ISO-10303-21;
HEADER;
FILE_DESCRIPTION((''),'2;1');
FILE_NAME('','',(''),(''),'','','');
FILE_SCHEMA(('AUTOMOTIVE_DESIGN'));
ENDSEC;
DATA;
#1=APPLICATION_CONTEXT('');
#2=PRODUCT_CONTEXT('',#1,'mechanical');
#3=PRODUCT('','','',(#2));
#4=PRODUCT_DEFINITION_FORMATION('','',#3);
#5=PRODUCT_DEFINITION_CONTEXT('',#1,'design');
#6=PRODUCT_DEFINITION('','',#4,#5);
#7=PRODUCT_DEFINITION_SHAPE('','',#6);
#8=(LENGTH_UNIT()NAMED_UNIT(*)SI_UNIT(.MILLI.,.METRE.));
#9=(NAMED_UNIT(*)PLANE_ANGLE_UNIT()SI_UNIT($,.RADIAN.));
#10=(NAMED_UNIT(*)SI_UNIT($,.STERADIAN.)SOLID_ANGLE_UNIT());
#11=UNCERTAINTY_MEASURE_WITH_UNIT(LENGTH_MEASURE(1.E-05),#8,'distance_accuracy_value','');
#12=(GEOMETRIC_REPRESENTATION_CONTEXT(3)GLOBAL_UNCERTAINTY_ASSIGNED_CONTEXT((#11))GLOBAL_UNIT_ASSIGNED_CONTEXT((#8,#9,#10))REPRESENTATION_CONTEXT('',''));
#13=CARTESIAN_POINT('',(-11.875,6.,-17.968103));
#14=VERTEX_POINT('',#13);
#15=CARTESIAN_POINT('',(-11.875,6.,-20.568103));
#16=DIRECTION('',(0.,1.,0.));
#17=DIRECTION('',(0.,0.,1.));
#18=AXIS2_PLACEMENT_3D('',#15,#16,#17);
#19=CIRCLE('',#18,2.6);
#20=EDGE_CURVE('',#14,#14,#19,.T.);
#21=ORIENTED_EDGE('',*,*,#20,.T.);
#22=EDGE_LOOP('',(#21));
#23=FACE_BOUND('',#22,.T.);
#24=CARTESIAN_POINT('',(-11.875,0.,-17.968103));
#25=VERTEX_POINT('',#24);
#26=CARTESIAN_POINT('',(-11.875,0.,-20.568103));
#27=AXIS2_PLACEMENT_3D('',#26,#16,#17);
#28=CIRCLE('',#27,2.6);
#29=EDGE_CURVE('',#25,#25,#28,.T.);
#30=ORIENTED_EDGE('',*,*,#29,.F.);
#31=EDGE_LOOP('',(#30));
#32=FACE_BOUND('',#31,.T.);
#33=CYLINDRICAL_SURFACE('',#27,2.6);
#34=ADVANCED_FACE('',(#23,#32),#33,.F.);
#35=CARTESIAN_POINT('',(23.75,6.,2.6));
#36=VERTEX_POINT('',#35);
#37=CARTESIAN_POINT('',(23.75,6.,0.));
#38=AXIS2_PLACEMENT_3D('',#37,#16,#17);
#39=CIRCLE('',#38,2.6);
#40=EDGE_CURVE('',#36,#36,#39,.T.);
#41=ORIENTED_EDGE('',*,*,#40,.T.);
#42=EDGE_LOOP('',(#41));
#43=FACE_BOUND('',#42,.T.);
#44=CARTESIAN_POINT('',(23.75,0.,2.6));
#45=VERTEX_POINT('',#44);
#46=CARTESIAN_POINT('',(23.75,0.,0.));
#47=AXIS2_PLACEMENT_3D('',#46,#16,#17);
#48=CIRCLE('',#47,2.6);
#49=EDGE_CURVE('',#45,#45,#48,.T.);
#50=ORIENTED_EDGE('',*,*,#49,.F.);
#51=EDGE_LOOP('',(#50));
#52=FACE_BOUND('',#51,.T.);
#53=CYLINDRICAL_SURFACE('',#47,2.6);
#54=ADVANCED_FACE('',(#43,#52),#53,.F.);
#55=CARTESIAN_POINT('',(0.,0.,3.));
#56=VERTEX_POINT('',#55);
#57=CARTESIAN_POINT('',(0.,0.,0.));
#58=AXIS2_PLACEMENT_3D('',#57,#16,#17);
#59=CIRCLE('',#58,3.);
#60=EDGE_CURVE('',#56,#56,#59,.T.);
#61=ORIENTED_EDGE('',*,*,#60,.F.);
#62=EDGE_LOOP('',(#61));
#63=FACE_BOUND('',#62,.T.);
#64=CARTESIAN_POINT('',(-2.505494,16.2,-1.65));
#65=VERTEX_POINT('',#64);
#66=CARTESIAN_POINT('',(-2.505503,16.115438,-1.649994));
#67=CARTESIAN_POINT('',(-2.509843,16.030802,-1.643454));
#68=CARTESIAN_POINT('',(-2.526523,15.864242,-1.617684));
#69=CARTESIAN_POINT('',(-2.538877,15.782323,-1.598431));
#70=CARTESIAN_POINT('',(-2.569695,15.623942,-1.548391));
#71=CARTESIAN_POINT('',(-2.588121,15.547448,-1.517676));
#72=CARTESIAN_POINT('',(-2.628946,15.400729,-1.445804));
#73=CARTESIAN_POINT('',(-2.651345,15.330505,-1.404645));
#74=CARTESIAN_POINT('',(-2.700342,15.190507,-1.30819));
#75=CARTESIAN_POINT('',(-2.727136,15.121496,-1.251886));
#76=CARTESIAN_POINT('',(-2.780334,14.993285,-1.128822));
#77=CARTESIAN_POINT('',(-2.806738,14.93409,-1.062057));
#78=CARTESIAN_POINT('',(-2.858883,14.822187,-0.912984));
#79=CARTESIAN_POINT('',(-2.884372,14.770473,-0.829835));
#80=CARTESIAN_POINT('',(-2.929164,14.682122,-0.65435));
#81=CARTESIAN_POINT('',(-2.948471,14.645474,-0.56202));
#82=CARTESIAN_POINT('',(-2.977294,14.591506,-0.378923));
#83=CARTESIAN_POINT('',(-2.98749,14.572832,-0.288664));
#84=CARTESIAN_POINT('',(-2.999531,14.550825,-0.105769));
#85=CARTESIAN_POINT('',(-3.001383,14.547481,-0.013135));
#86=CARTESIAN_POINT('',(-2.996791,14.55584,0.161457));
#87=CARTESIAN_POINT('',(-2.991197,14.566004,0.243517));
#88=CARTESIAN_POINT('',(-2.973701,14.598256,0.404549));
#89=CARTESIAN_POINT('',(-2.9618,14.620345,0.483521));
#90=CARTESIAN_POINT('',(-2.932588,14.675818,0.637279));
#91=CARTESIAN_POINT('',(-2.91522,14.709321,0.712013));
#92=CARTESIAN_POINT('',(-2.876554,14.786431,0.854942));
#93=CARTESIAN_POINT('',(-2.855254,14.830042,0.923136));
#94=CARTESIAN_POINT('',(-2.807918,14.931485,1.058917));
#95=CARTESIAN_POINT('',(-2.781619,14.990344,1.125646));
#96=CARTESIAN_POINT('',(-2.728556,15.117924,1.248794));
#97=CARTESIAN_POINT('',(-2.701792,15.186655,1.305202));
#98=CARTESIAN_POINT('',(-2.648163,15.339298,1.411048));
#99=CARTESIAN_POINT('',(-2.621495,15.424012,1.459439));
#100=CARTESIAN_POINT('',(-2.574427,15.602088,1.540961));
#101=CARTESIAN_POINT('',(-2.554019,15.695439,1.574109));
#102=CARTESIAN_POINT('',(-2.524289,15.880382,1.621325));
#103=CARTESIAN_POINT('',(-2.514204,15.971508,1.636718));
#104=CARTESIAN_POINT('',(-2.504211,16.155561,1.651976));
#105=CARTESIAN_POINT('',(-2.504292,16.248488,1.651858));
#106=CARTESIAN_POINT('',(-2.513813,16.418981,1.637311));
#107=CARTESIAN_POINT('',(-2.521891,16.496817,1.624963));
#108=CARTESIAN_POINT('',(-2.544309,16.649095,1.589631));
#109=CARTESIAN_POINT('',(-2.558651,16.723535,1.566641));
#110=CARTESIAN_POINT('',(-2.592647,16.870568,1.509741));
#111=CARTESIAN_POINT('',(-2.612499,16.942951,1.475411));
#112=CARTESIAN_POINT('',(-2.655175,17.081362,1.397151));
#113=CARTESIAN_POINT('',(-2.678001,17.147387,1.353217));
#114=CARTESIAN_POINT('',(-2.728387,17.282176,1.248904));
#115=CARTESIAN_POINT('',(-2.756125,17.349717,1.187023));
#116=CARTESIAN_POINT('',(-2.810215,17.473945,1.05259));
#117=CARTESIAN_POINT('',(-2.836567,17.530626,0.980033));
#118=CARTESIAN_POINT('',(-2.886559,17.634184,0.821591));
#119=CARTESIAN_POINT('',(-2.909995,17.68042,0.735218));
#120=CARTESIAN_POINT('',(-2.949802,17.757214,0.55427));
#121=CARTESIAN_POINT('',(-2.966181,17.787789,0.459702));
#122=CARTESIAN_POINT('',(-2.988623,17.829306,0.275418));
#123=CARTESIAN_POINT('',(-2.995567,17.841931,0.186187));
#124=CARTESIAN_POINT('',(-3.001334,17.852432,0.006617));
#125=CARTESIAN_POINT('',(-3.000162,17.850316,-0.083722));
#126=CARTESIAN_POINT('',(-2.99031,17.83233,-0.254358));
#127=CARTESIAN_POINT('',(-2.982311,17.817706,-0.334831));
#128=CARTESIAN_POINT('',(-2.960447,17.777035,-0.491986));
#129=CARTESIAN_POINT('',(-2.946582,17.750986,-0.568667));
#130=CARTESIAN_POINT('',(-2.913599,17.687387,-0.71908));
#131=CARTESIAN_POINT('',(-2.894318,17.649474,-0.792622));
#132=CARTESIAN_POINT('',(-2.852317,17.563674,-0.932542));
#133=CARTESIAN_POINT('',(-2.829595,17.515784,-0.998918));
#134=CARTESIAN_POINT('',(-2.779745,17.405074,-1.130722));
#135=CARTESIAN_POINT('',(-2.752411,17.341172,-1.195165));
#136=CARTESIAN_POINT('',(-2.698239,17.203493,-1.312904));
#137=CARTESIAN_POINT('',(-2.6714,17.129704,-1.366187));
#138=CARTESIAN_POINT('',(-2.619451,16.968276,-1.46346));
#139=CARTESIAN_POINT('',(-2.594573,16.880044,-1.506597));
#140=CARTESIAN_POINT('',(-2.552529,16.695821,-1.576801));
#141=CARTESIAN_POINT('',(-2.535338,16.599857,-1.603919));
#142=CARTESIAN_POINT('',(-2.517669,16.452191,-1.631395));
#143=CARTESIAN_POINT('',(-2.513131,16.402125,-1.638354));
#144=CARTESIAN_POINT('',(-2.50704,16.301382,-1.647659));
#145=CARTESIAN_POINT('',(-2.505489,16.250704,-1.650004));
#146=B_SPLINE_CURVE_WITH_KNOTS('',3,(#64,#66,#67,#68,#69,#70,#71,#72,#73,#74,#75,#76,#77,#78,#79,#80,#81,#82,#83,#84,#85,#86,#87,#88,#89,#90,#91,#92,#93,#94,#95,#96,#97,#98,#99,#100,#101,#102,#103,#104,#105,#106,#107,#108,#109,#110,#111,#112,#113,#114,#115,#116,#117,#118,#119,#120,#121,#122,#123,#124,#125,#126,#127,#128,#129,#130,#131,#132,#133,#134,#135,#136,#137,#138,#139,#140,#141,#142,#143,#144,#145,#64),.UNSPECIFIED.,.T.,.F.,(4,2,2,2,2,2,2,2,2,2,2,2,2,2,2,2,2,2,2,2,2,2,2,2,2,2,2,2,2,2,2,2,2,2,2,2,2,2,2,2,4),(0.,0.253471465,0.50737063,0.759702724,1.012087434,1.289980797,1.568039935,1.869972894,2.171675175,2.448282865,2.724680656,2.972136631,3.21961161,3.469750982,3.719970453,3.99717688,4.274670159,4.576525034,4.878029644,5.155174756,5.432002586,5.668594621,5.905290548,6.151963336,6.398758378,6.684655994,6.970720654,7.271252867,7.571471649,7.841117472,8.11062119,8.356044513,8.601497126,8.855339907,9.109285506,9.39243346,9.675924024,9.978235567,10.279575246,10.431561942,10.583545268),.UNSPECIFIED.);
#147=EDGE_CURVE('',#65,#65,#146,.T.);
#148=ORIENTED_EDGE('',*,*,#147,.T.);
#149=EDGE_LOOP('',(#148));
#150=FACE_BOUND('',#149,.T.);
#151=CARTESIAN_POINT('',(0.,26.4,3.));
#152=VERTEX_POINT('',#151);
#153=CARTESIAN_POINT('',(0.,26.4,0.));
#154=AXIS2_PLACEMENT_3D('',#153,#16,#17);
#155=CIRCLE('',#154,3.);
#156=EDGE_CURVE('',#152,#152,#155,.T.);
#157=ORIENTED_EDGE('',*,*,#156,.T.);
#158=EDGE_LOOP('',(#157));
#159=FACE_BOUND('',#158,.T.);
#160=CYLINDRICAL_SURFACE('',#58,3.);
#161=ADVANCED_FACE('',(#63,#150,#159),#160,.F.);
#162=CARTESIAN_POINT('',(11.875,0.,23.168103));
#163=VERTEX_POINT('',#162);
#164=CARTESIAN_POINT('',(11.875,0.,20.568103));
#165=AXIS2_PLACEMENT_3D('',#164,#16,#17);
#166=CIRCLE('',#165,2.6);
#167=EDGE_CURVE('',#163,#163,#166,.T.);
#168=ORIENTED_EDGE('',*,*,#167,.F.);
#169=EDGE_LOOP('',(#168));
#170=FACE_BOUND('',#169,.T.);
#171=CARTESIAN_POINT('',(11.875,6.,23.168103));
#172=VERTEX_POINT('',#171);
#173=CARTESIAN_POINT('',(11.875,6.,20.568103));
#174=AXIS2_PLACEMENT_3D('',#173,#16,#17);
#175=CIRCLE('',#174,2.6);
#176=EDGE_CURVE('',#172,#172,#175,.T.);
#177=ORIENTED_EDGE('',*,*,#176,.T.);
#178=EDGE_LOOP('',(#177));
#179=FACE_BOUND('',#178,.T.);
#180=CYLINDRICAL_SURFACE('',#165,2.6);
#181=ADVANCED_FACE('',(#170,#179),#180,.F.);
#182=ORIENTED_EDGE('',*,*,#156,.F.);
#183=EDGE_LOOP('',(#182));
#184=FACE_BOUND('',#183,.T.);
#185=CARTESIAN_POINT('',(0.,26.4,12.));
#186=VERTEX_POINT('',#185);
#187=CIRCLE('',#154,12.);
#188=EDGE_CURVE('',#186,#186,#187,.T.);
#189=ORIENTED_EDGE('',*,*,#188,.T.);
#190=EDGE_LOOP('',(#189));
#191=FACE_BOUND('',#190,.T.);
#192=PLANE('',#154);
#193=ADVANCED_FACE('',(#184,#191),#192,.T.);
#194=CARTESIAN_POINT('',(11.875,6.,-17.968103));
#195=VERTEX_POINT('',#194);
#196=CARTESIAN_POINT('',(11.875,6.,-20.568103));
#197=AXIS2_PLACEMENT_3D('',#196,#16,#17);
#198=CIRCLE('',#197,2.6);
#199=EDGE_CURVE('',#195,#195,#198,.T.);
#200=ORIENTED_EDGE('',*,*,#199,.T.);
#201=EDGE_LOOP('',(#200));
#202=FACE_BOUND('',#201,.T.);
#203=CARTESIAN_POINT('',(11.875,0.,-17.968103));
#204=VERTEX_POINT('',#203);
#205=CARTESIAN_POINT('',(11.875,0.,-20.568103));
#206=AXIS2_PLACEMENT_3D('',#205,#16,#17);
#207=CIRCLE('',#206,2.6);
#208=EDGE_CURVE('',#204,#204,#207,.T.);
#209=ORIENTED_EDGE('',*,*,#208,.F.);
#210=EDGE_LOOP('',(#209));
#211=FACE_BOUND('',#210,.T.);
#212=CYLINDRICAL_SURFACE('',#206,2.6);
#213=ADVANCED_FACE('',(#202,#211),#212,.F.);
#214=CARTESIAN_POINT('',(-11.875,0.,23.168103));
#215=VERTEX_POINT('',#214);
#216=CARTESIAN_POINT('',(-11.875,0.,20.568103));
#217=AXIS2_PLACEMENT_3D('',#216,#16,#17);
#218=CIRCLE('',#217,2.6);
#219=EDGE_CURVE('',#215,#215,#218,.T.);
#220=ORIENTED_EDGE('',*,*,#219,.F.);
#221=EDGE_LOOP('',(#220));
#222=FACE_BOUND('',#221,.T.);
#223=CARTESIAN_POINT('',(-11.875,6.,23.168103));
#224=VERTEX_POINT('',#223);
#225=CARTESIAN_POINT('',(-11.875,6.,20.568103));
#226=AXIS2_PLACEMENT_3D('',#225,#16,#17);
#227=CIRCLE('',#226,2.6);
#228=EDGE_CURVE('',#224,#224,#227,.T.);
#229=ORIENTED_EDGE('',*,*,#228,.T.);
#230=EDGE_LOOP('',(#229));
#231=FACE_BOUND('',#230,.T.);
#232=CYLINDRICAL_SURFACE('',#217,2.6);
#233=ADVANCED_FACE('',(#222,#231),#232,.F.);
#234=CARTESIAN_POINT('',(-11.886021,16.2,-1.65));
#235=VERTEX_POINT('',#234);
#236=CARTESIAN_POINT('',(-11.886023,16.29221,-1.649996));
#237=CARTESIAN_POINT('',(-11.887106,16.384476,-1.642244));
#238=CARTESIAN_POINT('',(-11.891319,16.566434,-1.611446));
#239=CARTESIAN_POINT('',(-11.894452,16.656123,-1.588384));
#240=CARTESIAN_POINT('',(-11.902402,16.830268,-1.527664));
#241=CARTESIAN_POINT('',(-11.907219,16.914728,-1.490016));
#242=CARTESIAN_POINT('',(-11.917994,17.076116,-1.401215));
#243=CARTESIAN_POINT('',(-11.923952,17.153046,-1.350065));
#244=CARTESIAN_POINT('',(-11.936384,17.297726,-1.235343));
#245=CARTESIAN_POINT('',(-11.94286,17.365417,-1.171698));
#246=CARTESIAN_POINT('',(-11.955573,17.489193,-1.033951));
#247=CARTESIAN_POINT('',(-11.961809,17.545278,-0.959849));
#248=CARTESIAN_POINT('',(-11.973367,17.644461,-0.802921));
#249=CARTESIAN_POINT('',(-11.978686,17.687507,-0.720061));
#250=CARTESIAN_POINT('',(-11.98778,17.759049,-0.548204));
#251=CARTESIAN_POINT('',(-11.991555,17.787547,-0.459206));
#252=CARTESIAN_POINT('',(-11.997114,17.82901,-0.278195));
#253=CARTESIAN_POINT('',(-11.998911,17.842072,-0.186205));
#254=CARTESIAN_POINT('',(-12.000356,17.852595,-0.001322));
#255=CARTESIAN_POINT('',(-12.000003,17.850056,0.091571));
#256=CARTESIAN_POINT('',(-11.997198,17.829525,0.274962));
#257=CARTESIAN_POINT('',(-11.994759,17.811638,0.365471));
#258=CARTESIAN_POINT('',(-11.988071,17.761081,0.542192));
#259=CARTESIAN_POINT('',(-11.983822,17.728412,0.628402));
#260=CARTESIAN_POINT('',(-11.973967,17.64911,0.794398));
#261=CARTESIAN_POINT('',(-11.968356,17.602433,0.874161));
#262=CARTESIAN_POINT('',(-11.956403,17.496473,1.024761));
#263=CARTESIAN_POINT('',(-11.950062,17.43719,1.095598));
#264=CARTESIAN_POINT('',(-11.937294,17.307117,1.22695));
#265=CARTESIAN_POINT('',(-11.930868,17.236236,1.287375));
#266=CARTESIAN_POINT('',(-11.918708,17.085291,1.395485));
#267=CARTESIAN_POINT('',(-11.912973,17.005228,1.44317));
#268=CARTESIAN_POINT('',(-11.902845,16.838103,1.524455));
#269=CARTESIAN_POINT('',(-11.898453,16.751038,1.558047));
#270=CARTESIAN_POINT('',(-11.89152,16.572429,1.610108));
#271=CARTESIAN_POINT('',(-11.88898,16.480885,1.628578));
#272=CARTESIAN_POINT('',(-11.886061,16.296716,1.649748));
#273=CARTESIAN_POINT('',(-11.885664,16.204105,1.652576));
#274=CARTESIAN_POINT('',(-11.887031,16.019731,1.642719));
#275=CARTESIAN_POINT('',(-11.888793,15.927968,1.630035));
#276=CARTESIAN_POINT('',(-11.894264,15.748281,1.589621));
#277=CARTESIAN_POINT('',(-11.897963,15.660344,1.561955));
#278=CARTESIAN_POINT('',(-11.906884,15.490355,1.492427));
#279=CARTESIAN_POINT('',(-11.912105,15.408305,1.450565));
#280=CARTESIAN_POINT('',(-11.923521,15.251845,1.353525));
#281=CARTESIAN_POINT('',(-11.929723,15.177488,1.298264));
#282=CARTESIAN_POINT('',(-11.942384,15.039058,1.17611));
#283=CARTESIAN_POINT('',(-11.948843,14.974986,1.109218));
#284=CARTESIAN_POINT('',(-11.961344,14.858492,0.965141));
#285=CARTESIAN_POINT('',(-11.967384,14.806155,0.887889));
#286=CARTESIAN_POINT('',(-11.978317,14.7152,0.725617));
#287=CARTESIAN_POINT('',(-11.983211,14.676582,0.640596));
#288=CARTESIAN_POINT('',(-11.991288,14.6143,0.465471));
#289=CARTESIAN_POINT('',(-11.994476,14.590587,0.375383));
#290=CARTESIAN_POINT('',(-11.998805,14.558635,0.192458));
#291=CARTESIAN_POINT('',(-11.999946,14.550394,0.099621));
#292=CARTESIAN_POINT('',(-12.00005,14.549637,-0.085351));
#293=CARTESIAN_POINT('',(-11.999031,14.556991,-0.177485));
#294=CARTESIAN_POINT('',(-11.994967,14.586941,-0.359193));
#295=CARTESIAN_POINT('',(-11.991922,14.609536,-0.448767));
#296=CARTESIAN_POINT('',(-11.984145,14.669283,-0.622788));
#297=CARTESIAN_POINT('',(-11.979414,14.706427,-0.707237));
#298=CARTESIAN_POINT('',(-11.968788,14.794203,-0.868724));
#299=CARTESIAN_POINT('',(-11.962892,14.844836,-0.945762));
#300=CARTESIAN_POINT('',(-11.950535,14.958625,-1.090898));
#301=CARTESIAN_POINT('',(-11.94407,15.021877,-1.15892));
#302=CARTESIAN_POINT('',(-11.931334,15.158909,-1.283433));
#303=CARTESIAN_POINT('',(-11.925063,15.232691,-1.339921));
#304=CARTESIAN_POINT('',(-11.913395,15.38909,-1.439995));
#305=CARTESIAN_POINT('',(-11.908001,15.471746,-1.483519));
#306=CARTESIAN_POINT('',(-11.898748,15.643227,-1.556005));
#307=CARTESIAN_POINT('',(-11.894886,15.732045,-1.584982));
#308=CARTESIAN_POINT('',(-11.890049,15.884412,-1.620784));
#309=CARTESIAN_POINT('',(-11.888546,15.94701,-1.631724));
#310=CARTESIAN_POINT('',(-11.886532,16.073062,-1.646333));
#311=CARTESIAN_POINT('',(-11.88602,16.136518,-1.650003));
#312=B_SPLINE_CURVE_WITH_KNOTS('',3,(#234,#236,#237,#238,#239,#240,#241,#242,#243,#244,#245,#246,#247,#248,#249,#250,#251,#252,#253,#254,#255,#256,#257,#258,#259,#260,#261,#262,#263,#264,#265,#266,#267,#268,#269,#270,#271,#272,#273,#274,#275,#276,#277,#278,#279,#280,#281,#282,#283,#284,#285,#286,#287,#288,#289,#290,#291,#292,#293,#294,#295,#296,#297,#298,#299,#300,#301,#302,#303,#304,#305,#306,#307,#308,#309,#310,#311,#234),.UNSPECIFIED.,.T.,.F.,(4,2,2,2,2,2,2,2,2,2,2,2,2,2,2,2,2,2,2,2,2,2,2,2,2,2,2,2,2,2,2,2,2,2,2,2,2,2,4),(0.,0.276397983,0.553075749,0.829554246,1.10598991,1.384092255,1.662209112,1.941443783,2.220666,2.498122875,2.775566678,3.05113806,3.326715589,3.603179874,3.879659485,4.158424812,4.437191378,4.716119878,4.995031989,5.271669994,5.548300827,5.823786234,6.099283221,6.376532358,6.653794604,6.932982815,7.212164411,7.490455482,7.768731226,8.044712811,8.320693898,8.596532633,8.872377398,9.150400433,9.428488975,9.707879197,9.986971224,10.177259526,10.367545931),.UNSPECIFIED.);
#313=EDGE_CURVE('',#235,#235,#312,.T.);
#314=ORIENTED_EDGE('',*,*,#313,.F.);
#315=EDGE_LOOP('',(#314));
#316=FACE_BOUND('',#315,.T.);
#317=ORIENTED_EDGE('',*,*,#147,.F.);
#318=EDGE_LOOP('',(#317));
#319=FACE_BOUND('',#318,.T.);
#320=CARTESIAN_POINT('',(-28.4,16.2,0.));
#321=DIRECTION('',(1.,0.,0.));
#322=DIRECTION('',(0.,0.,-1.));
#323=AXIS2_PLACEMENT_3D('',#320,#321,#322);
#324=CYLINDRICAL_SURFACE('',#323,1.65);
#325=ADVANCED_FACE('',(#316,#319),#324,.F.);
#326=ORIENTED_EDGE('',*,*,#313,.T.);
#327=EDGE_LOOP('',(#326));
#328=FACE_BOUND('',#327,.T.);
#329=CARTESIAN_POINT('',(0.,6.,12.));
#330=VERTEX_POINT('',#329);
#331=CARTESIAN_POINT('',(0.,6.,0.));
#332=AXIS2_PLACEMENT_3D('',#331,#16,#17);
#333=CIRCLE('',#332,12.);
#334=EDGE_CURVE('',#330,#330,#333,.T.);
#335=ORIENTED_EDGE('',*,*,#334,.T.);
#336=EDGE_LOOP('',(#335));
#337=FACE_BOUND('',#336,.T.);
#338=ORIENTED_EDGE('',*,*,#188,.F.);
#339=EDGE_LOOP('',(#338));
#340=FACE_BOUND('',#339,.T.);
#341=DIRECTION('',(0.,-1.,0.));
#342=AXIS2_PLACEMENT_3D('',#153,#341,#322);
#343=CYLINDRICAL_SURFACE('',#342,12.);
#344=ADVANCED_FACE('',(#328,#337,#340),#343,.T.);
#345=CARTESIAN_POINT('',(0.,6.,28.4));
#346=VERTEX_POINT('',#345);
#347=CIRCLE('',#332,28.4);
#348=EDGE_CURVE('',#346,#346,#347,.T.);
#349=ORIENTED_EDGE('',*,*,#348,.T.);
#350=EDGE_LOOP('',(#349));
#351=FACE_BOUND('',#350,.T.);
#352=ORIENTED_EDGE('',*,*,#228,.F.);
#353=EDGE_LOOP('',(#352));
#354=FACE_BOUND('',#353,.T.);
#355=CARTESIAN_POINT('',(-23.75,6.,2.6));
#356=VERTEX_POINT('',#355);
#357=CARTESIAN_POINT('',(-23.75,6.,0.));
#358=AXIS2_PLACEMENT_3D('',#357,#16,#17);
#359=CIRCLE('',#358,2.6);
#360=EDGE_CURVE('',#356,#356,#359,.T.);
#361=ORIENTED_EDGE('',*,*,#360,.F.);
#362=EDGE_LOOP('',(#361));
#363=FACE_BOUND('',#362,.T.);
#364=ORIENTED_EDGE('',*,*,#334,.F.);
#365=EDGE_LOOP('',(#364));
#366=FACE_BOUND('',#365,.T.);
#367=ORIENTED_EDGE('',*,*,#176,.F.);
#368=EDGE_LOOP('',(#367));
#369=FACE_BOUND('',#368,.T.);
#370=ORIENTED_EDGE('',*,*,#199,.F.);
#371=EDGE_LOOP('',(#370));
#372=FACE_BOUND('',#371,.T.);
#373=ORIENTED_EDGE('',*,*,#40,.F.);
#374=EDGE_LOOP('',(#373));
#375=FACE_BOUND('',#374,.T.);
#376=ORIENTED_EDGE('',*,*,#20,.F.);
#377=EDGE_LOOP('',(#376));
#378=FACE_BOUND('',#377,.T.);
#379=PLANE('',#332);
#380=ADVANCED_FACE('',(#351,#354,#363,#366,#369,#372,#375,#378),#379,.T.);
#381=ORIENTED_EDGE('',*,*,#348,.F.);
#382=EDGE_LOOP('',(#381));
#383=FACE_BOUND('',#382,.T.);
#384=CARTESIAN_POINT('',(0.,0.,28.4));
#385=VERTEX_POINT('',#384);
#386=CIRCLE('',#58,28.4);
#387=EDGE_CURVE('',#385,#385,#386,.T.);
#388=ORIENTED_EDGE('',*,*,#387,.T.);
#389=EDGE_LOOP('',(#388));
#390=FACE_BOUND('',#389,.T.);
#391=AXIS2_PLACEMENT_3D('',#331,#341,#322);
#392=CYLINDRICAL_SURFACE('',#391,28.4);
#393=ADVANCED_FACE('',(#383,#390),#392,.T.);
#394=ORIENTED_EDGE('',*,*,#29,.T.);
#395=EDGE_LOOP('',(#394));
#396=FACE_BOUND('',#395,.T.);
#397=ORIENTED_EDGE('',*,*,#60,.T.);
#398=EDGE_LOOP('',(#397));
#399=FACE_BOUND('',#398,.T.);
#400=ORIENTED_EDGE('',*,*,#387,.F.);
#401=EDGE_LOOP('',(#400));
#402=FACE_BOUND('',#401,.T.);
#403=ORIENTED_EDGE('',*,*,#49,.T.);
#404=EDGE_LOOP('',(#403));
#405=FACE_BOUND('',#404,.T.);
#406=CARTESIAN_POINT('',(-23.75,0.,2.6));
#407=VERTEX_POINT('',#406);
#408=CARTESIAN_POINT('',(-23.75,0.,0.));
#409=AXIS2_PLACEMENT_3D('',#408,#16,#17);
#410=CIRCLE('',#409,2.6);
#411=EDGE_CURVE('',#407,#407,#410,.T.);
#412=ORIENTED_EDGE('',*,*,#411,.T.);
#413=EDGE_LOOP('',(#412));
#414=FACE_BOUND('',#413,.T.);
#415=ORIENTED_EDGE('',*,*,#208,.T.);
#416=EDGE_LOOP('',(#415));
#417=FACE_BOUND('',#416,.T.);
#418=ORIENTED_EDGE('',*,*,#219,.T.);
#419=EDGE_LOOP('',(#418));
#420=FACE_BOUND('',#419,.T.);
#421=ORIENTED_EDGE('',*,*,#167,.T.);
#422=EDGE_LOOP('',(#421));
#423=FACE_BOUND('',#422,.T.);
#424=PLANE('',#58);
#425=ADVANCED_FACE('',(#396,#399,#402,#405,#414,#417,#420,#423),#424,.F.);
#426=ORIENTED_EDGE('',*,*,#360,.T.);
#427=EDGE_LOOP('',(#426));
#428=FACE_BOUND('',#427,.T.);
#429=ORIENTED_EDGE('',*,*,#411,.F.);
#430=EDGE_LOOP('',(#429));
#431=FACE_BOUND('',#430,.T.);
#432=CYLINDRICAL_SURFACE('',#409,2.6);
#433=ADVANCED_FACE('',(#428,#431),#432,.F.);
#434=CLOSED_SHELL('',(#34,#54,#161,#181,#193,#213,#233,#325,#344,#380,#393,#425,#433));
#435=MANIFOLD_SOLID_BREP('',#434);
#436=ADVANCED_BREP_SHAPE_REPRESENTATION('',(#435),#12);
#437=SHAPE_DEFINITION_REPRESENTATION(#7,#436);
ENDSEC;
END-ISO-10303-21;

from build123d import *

# Parameters (mm, degrees)
SKETCH1_R           = 28.399999969
BOSS_EXTRUDE1_DEPTH = 6
SKETCH2_R           = 12
BOSS_EXTRUDE2_DEPTH = 20.4
SKETCH3_R           = 3
CUT_EXTRUDE1_DEPTH  = 49.063291569
SKETCH4_R           = 2.6
CUT_EXTRUDE2_DEPTH  = 46.047530415
SKETCH6_R           = 1.65
CUT_EXTRUDE3_DEPTH  = 49.063291569


with BuildPart() as part:
    # Sketch1 → Boss-Extrude1 (new body)
    with BuildSketch(Plane(origin=(0, 0, 0), x_dir=(1, 0, 0), z_dir=(0, 1, 0))):
        with Locations(Location((0, 0, 0), (0, 0, 270))):
            Circle(SKETCH1_R)
    extrude(amount=BOSS_EXTRUDE1_DEPTH)

    # Sketch2 → Boss-Extrude2 (add)
    with BuildSketch(Plane(origin=(0, 6, 0), x_dir=(1, 0, 0), z_dir=(0, 1, 0))):
        with Locations(Location((0, 0, 0), (0, 0, 270))):
            Circle(SKETCH2_R)
    extrude(amount=BOSS_EXTRUDE2_DEPTH)

    # Sketch3 → Cut-Extrude1 (cut, through all)
    with BuildSketch(Plane(origin=(0, 26.4, 0), x_dir=(1, 0, 0), z_dir=(0, 1, 0))):
        with Locations(Location((0, 0, 0), (0, 0, 270))):
            Circle(SKETCH3_R)
    extrude(amount=-CUT_EXTRUDE1_DEPTH, mode=Mode.SUBTRACT)

    # Sketch4 → Cut-Extrude2 (cut, through all)
    with BuildSketch(Plane(origin=(0, 6, 0), x_dir=(1, 0, 0), z_dir=(0, 1, 0))):
        with Locations(Location((23.75, 0, 0), (0, 0, 270))):
            Circle(SKETCH4_R)
        with Locations(Location((11.875, -20.56810334, 0), (0, 0, 270))):
            Circle(SKETCH4_R)
        with Locations(Location((-11.875, -20.56810334, 0), (0, 0, 270))):
            Circle(SKETCH4_R)
        with Locations(Location((-23.75, 0, 0), (0, 0, 270))):
            Circle(SKETCH4_R)
        with Locations(Location((-11.875, 20.56810334, 0), (0, 0, 270))):
            Circle(SKETCH4_R)
        with Locations(Location((11.875, 20.56810334, 0), (0, 0, 270))):
            Circle(SKETCH4_R)
    extrude(amount=-CUT_EXTRUDE2_DEPTH, mode=Mode.SUBTRACT)

    # Sketch6 → Cut-Extrude3 (cut, through all)
    with BuildSketch(Plane(origin=(0, 0, 0), x_dir=(0, 0, -1), z_dir=(1, 0, 0))):
        with Locations((0, 16.2)):
            Circle(SKETCH6_R)
    extrude(amount=-CUT_EXTRUDE3_DEPTH, mode=Mode.SUBTRACT)


solid = part.part
